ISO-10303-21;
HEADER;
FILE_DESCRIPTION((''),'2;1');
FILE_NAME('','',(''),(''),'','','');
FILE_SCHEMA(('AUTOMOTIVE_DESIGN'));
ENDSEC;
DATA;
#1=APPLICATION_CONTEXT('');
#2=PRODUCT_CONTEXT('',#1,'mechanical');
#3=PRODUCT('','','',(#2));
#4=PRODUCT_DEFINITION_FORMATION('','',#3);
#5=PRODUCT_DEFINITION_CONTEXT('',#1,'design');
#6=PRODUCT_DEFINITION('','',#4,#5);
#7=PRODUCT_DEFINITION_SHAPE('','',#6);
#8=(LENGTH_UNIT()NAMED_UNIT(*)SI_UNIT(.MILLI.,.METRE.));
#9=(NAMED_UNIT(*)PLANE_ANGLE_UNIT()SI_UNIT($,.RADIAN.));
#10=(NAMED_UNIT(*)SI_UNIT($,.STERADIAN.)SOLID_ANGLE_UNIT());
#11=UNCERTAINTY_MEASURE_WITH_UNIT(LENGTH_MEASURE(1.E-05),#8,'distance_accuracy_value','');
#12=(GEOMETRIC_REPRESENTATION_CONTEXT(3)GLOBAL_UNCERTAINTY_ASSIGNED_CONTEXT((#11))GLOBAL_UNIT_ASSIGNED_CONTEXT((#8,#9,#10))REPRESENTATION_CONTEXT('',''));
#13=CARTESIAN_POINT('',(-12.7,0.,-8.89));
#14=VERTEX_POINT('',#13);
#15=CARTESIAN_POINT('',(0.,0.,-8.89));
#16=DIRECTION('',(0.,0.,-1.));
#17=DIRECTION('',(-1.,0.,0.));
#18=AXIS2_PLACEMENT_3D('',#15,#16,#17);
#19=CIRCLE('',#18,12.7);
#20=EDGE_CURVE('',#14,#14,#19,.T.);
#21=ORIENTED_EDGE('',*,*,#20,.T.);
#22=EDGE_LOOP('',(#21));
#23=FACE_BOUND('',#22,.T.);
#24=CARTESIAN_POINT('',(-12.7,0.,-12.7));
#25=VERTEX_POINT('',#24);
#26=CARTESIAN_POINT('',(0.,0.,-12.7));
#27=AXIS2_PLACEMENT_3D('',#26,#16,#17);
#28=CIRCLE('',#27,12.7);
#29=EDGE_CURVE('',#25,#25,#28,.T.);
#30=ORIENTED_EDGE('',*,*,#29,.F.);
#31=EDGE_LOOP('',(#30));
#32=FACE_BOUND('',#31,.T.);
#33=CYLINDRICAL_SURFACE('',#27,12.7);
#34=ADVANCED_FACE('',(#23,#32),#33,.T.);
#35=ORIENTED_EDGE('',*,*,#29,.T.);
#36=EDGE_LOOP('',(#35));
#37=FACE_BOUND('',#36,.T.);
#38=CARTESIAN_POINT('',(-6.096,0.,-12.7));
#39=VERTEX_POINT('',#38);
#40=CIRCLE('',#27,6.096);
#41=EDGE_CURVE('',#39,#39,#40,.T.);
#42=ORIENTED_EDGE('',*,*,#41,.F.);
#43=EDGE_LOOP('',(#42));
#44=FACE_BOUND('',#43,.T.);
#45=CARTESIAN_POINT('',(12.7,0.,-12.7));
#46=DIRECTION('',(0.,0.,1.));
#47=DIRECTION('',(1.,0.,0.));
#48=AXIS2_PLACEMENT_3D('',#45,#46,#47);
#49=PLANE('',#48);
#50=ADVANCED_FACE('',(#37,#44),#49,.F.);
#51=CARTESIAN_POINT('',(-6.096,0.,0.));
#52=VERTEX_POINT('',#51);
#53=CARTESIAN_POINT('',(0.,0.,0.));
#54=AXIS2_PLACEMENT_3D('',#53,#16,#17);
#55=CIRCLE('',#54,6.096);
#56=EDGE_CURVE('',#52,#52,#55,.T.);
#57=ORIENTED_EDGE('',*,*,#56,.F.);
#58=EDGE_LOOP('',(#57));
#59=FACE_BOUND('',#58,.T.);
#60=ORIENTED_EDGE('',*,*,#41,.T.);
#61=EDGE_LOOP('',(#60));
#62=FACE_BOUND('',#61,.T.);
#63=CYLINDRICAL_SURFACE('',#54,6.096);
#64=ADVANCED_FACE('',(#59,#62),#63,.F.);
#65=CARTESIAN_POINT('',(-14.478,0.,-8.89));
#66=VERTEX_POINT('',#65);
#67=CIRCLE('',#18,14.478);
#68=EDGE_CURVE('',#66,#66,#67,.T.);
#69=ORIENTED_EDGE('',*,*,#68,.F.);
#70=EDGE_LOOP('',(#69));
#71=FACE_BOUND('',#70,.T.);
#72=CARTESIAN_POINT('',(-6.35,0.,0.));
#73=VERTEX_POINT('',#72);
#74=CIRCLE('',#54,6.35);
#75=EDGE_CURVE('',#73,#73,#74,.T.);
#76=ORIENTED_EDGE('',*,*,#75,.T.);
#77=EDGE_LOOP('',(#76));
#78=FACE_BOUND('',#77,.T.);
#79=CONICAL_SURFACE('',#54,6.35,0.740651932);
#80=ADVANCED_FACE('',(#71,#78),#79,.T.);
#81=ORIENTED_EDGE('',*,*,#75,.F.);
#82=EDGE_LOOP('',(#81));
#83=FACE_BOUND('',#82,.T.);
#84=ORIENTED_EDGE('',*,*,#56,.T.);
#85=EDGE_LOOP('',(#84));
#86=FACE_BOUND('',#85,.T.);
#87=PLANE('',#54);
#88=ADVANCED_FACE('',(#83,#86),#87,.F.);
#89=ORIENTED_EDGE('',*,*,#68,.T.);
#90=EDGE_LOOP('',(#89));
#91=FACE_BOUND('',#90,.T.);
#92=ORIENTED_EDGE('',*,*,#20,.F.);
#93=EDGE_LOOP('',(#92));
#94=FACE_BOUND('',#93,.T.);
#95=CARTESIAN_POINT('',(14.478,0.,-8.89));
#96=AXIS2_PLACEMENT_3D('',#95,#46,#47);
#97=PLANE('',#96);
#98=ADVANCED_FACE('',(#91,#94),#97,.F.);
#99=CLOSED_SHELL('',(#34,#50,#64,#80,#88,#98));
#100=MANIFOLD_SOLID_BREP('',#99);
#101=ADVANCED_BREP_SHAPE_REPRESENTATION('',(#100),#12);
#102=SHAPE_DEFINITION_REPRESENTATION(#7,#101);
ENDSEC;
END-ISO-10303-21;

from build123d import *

# Parameters (mm, degrees)
SKETCH2_R          = 6.096
CUT_EXTRUDE1_DEPTH = 12.7


with BuildPart() as part:
    # Sketch1 → Revolve1 (revolve)
    with BuildSketch(Plane(origin=(0, 0, 0), x_dir=(1, 0, 0), z_dir=(0, 1, 0)), mode=Mode.PRIVATE) as revolve1_sk:
        Polygon((0, 0), (6.35, 0), (14.478, 8.89), (12.7, 8.89), (12.7, 12.7), (0, 12.7), align=None)
    revolve(revolve1_sk.sketch.rotate(Axis((0, 0, -12.7), (0, 0, 1)), 180), axis=Axis((0, 0, -12.7), (0, 0, 1)))

    # Sketch2 → Cut-Extrude1 (cut)
    with BuildSketch(Plane(origin=(0, 0, -12.7), x_dir=(-1, 0, 0), z_dir=(0, 0, -1))):
        Circle(SKETCH2_R)
    extrude(amount=-CUT_EXTRUDE1_DEPTH, mode=Mode.SUBTRACT)


solid = part.part
